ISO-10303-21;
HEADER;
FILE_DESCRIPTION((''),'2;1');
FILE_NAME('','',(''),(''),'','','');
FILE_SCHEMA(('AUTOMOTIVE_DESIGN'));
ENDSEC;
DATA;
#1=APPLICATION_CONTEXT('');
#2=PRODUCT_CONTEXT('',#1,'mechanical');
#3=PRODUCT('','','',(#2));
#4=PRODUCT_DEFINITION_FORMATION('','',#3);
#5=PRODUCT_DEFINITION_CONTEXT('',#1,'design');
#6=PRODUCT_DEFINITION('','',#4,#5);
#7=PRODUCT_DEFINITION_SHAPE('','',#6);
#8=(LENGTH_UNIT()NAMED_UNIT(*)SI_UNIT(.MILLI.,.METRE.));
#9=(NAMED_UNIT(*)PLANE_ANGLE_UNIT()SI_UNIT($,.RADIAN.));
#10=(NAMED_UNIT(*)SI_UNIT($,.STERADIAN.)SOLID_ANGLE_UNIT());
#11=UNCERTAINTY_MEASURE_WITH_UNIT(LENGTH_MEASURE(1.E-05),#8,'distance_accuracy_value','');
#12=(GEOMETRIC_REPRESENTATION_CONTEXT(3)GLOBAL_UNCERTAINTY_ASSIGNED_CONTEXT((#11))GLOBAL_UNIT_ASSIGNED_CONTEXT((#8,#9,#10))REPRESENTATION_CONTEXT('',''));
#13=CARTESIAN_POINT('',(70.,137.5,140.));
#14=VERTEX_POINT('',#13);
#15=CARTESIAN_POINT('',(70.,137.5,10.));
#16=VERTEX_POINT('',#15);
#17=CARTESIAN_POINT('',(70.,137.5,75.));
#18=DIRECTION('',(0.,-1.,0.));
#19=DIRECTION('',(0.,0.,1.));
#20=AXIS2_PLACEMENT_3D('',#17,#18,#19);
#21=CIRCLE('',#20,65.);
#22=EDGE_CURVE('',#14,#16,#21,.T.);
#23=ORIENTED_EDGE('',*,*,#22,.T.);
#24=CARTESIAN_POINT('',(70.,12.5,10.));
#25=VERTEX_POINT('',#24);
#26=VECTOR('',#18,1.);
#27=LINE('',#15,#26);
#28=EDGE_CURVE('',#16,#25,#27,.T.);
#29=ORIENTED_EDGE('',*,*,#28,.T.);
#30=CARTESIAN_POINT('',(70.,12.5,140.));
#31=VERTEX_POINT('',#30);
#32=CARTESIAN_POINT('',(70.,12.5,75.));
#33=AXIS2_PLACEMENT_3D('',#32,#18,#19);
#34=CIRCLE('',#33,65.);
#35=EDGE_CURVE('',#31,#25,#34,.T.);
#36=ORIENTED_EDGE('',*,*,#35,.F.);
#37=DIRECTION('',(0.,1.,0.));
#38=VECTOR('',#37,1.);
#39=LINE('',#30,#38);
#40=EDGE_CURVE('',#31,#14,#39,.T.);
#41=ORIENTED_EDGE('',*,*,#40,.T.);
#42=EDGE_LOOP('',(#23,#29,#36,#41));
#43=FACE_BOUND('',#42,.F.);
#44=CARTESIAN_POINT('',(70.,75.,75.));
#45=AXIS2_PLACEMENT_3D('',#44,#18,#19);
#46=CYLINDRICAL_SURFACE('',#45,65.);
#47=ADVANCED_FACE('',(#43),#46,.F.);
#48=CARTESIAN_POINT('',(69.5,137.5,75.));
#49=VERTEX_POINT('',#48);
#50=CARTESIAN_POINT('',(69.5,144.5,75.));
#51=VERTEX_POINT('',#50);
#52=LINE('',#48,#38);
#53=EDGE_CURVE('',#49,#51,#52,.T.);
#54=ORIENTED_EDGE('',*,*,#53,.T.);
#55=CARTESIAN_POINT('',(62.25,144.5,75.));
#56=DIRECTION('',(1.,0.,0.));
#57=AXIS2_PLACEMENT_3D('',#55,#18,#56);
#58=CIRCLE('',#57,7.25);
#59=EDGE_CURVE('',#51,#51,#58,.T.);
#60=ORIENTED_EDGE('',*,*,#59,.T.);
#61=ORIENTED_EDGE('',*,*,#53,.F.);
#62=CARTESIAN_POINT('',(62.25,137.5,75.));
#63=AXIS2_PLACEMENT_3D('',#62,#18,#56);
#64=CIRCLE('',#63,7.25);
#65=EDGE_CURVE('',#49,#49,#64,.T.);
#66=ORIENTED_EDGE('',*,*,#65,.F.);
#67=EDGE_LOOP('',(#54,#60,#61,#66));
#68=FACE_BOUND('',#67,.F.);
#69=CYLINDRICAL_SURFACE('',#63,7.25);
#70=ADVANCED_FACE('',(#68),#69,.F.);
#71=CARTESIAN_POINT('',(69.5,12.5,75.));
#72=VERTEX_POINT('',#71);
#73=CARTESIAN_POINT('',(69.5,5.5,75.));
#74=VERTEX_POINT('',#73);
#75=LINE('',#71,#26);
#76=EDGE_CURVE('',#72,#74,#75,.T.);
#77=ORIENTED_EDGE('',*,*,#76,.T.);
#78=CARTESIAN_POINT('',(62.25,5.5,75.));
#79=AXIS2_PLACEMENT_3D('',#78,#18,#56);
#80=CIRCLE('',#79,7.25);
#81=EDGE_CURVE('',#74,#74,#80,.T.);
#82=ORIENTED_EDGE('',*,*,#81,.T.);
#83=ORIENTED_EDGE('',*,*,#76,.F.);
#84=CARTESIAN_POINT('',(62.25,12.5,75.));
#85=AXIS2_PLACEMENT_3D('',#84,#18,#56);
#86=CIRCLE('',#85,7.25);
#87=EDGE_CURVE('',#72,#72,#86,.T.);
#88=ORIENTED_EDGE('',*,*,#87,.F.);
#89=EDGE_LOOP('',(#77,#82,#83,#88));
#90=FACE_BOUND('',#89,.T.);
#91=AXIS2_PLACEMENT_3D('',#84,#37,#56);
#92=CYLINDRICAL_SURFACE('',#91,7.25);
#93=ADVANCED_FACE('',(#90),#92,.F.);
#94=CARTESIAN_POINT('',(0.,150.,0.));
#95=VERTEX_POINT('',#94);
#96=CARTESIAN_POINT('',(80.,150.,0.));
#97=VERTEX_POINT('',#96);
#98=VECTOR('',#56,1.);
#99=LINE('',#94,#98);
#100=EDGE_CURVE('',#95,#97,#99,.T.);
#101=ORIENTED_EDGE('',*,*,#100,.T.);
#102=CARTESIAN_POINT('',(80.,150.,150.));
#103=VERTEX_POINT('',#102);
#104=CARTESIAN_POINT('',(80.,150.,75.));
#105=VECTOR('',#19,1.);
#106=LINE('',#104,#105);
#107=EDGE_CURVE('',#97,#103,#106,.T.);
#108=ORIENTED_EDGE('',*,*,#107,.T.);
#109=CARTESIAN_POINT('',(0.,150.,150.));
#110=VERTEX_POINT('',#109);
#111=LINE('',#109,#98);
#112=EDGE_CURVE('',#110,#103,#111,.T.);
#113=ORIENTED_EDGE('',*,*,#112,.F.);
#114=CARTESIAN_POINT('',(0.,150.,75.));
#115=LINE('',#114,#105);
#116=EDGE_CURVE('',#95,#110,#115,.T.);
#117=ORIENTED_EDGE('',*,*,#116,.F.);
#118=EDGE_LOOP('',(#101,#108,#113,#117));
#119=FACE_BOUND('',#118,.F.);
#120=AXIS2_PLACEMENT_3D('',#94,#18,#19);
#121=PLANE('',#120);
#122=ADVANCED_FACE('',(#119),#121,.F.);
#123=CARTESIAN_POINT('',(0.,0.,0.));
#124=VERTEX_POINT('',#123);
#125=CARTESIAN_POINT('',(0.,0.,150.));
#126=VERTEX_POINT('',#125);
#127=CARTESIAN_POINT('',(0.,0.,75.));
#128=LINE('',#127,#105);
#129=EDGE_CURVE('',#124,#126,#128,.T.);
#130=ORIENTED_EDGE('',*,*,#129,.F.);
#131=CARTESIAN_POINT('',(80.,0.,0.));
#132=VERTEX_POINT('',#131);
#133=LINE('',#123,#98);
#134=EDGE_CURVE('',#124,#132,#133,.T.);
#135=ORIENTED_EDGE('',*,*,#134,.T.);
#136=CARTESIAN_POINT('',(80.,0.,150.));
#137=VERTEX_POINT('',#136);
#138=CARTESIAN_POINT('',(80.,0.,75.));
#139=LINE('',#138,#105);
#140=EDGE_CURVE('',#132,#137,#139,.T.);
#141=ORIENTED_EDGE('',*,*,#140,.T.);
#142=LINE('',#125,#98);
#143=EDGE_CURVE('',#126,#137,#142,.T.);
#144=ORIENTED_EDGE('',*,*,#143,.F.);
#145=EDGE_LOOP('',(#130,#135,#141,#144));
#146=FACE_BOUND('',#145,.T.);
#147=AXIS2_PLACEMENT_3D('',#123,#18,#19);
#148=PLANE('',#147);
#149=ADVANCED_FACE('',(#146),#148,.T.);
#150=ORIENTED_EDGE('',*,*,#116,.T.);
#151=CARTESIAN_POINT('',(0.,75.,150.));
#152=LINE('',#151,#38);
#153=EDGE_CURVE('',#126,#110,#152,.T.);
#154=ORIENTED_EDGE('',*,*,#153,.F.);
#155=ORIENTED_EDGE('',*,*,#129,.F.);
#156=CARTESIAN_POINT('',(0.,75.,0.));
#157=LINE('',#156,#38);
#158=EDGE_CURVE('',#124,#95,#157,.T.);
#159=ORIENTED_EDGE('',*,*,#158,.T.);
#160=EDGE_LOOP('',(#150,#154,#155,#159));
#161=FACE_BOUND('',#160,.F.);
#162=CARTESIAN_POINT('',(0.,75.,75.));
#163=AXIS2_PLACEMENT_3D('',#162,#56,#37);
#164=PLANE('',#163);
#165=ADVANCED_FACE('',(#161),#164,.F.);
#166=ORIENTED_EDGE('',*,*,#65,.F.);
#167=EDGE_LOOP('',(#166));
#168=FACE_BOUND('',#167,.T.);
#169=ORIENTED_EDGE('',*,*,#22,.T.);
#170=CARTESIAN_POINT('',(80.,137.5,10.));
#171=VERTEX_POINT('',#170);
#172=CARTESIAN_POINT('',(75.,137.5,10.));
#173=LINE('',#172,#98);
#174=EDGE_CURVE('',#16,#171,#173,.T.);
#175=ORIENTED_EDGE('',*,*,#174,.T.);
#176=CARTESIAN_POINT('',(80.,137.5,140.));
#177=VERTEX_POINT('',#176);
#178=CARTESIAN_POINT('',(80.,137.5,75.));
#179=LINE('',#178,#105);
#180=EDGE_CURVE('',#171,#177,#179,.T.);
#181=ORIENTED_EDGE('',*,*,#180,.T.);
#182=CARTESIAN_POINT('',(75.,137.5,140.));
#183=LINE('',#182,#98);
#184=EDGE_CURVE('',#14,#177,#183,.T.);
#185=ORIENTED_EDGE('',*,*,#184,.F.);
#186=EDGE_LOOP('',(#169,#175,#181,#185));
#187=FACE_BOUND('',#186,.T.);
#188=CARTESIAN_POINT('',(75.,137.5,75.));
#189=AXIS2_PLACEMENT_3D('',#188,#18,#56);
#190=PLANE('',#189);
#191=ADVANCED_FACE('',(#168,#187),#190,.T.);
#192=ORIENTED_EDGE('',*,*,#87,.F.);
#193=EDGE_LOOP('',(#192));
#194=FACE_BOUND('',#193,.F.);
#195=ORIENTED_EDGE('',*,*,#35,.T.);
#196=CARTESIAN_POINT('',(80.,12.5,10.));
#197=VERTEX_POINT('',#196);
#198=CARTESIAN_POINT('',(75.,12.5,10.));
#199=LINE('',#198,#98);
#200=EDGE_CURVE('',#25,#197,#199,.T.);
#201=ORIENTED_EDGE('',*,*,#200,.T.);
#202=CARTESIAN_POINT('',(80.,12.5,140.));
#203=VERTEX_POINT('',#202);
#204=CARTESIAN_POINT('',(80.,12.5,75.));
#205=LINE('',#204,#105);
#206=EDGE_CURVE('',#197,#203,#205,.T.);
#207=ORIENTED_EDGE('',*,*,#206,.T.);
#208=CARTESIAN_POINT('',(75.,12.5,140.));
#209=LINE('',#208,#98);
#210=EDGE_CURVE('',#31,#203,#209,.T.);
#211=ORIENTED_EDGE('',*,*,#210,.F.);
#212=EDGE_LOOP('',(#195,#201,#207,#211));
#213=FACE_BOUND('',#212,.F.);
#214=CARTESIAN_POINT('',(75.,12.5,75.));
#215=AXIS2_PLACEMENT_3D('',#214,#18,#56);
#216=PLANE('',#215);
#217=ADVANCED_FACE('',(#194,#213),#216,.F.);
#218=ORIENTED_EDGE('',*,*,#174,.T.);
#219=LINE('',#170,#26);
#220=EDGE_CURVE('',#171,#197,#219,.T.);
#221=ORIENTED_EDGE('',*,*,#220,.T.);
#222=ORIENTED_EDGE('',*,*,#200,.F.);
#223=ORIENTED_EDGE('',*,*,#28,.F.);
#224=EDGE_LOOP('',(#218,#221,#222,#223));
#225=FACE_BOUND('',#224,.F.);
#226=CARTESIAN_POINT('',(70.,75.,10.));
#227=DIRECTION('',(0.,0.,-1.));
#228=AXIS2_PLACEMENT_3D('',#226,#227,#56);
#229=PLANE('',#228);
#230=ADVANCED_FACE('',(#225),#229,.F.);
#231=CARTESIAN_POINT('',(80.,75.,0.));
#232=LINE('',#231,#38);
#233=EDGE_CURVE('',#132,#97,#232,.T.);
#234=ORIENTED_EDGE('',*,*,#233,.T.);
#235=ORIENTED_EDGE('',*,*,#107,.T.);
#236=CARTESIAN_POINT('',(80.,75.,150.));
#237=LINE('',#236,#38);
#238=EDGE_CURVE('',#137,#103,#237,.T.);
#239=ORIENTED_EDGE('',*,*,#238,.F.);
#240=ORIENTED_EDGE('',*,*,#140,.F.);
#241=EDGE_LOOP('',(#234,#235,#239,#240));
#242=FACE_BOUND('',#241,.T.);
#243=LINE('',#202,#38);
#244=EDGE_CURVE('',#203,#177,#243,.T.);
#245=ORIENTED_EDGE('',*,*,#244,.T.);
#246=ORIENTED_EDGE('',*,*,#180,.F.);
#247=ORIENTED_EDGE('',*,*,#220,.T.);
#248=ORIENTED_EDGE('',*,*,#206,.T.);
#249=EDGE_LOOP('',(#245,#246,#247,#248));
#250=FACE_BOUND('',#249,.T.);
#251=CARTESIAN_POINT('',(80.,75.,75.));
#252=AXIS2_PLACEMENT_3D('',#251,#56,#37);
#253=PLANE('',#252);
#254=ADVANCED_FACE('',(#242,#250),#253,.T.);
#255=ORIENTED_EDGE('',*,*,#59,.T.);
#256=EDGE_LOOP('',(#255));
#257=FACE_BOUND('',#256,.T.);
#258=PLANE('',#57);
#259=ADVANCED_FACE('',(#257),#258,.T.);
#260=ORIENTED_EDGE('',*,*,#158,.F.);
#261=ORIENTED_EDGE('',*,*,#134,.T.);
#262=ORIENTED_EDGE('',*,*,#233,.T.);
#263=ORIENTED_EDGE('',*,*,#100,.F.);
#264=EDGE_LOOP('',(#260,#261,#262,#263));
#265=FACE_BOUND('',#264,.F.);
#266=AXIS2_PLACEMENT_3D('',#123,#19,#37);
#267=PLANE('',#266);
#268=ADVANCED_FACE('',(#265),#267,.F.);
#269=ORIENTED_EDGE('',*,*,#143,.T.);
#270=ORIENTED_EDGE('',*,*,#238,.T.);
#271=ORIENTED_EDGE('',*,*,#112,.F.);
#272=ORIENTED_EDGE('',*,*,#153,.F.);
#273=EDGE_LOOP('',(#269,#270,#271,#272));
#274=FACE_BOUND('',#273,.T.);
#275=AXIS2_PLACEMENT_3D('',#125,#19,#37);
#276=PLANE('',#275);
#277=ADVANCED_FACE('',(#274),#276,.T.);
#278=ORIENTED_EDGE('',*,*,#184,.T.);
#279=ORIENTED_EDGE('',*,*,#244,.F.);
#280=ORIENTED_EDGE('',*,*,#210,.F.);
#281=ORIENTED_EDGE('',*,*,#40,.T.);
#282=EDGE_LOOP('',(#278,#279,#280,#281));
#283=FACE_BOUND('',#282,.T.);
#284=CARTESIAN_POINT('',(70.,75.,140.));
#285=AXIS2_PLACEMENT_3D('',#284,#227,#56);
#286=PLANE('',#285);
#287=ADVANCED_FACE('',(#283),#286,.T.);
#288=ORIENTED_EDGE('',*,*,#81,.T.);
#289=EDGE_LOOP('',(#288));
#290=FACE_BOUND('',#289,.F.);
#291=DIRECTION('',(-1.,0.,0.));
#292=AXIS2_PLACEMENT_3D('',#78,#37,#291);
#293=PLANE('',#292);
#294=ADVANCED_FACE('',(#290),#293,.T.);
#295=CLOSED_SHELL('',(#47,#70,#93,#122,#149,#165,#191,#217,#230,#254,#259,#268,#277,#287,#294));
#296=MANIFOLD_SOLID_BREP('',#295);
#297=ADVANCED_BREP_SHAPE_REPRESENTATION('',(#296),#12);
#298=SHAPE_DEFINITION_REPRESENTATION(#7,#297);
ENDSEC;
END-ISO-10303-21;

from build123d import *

# Parameters (mm, degrees)
F0_W          = 150
F0_H          = 150
F1_DEPTH      = 80
F3_W          = 10
F3_H          = 130
F4_DEPTH      = 62.5
F4_DEPTH_BACK = 62.5
F5_R          = 7.25
F6_DEPTH      = 7


with BuildPart() as f1:
    # F0 (on Right) → F1 (new body)
    with BuildSketch(Plane.YZ):
        with Locations((75, 75)):
            Rectangle(F0_W, F0_H)
    extrude(amount=F1_DEPTH)

    # F3 (on mid) → F4 (cut, two sides)
    with BuildSketch(Plane.XZ.offset(-75)) as f4_sk:
        with Locations((75, 75)):
            Rectangle(F3_W, F3_H)
        with BuildLine():
            Line((70, 10), (70, 140))
            ThreePointArc((70, 140), (5, 75), (70, 10))
        make_face()
    extrude(amount=-F4_DEPTH, mode=Mode.SUBTRACT)
    extrude(f4_sk.sketch, amount=F4_DEPTH_BACK, mode=Mode.SUBTRACT)

    # F5 (on face) → F6 (cut)
    with BuildSketch(Plane.XZ.offset(-137.5)):
        with Locations((62.25, 75)):
            Circle(F5_R)
    extrude(amount=-F6_DEPTH, mode=Mode.SUBTRACT)

    # F7: F1 across plane


with BuildPart() as f1_1:
    add(f1.part)
    add(f1.part.mirror(Plane(origin=(40, 75, 75), x_dir=(1, 0, 0), z_dir=(0, -1, 0))), mode=Mode.INTERSECT)


solid = f1_1.part
